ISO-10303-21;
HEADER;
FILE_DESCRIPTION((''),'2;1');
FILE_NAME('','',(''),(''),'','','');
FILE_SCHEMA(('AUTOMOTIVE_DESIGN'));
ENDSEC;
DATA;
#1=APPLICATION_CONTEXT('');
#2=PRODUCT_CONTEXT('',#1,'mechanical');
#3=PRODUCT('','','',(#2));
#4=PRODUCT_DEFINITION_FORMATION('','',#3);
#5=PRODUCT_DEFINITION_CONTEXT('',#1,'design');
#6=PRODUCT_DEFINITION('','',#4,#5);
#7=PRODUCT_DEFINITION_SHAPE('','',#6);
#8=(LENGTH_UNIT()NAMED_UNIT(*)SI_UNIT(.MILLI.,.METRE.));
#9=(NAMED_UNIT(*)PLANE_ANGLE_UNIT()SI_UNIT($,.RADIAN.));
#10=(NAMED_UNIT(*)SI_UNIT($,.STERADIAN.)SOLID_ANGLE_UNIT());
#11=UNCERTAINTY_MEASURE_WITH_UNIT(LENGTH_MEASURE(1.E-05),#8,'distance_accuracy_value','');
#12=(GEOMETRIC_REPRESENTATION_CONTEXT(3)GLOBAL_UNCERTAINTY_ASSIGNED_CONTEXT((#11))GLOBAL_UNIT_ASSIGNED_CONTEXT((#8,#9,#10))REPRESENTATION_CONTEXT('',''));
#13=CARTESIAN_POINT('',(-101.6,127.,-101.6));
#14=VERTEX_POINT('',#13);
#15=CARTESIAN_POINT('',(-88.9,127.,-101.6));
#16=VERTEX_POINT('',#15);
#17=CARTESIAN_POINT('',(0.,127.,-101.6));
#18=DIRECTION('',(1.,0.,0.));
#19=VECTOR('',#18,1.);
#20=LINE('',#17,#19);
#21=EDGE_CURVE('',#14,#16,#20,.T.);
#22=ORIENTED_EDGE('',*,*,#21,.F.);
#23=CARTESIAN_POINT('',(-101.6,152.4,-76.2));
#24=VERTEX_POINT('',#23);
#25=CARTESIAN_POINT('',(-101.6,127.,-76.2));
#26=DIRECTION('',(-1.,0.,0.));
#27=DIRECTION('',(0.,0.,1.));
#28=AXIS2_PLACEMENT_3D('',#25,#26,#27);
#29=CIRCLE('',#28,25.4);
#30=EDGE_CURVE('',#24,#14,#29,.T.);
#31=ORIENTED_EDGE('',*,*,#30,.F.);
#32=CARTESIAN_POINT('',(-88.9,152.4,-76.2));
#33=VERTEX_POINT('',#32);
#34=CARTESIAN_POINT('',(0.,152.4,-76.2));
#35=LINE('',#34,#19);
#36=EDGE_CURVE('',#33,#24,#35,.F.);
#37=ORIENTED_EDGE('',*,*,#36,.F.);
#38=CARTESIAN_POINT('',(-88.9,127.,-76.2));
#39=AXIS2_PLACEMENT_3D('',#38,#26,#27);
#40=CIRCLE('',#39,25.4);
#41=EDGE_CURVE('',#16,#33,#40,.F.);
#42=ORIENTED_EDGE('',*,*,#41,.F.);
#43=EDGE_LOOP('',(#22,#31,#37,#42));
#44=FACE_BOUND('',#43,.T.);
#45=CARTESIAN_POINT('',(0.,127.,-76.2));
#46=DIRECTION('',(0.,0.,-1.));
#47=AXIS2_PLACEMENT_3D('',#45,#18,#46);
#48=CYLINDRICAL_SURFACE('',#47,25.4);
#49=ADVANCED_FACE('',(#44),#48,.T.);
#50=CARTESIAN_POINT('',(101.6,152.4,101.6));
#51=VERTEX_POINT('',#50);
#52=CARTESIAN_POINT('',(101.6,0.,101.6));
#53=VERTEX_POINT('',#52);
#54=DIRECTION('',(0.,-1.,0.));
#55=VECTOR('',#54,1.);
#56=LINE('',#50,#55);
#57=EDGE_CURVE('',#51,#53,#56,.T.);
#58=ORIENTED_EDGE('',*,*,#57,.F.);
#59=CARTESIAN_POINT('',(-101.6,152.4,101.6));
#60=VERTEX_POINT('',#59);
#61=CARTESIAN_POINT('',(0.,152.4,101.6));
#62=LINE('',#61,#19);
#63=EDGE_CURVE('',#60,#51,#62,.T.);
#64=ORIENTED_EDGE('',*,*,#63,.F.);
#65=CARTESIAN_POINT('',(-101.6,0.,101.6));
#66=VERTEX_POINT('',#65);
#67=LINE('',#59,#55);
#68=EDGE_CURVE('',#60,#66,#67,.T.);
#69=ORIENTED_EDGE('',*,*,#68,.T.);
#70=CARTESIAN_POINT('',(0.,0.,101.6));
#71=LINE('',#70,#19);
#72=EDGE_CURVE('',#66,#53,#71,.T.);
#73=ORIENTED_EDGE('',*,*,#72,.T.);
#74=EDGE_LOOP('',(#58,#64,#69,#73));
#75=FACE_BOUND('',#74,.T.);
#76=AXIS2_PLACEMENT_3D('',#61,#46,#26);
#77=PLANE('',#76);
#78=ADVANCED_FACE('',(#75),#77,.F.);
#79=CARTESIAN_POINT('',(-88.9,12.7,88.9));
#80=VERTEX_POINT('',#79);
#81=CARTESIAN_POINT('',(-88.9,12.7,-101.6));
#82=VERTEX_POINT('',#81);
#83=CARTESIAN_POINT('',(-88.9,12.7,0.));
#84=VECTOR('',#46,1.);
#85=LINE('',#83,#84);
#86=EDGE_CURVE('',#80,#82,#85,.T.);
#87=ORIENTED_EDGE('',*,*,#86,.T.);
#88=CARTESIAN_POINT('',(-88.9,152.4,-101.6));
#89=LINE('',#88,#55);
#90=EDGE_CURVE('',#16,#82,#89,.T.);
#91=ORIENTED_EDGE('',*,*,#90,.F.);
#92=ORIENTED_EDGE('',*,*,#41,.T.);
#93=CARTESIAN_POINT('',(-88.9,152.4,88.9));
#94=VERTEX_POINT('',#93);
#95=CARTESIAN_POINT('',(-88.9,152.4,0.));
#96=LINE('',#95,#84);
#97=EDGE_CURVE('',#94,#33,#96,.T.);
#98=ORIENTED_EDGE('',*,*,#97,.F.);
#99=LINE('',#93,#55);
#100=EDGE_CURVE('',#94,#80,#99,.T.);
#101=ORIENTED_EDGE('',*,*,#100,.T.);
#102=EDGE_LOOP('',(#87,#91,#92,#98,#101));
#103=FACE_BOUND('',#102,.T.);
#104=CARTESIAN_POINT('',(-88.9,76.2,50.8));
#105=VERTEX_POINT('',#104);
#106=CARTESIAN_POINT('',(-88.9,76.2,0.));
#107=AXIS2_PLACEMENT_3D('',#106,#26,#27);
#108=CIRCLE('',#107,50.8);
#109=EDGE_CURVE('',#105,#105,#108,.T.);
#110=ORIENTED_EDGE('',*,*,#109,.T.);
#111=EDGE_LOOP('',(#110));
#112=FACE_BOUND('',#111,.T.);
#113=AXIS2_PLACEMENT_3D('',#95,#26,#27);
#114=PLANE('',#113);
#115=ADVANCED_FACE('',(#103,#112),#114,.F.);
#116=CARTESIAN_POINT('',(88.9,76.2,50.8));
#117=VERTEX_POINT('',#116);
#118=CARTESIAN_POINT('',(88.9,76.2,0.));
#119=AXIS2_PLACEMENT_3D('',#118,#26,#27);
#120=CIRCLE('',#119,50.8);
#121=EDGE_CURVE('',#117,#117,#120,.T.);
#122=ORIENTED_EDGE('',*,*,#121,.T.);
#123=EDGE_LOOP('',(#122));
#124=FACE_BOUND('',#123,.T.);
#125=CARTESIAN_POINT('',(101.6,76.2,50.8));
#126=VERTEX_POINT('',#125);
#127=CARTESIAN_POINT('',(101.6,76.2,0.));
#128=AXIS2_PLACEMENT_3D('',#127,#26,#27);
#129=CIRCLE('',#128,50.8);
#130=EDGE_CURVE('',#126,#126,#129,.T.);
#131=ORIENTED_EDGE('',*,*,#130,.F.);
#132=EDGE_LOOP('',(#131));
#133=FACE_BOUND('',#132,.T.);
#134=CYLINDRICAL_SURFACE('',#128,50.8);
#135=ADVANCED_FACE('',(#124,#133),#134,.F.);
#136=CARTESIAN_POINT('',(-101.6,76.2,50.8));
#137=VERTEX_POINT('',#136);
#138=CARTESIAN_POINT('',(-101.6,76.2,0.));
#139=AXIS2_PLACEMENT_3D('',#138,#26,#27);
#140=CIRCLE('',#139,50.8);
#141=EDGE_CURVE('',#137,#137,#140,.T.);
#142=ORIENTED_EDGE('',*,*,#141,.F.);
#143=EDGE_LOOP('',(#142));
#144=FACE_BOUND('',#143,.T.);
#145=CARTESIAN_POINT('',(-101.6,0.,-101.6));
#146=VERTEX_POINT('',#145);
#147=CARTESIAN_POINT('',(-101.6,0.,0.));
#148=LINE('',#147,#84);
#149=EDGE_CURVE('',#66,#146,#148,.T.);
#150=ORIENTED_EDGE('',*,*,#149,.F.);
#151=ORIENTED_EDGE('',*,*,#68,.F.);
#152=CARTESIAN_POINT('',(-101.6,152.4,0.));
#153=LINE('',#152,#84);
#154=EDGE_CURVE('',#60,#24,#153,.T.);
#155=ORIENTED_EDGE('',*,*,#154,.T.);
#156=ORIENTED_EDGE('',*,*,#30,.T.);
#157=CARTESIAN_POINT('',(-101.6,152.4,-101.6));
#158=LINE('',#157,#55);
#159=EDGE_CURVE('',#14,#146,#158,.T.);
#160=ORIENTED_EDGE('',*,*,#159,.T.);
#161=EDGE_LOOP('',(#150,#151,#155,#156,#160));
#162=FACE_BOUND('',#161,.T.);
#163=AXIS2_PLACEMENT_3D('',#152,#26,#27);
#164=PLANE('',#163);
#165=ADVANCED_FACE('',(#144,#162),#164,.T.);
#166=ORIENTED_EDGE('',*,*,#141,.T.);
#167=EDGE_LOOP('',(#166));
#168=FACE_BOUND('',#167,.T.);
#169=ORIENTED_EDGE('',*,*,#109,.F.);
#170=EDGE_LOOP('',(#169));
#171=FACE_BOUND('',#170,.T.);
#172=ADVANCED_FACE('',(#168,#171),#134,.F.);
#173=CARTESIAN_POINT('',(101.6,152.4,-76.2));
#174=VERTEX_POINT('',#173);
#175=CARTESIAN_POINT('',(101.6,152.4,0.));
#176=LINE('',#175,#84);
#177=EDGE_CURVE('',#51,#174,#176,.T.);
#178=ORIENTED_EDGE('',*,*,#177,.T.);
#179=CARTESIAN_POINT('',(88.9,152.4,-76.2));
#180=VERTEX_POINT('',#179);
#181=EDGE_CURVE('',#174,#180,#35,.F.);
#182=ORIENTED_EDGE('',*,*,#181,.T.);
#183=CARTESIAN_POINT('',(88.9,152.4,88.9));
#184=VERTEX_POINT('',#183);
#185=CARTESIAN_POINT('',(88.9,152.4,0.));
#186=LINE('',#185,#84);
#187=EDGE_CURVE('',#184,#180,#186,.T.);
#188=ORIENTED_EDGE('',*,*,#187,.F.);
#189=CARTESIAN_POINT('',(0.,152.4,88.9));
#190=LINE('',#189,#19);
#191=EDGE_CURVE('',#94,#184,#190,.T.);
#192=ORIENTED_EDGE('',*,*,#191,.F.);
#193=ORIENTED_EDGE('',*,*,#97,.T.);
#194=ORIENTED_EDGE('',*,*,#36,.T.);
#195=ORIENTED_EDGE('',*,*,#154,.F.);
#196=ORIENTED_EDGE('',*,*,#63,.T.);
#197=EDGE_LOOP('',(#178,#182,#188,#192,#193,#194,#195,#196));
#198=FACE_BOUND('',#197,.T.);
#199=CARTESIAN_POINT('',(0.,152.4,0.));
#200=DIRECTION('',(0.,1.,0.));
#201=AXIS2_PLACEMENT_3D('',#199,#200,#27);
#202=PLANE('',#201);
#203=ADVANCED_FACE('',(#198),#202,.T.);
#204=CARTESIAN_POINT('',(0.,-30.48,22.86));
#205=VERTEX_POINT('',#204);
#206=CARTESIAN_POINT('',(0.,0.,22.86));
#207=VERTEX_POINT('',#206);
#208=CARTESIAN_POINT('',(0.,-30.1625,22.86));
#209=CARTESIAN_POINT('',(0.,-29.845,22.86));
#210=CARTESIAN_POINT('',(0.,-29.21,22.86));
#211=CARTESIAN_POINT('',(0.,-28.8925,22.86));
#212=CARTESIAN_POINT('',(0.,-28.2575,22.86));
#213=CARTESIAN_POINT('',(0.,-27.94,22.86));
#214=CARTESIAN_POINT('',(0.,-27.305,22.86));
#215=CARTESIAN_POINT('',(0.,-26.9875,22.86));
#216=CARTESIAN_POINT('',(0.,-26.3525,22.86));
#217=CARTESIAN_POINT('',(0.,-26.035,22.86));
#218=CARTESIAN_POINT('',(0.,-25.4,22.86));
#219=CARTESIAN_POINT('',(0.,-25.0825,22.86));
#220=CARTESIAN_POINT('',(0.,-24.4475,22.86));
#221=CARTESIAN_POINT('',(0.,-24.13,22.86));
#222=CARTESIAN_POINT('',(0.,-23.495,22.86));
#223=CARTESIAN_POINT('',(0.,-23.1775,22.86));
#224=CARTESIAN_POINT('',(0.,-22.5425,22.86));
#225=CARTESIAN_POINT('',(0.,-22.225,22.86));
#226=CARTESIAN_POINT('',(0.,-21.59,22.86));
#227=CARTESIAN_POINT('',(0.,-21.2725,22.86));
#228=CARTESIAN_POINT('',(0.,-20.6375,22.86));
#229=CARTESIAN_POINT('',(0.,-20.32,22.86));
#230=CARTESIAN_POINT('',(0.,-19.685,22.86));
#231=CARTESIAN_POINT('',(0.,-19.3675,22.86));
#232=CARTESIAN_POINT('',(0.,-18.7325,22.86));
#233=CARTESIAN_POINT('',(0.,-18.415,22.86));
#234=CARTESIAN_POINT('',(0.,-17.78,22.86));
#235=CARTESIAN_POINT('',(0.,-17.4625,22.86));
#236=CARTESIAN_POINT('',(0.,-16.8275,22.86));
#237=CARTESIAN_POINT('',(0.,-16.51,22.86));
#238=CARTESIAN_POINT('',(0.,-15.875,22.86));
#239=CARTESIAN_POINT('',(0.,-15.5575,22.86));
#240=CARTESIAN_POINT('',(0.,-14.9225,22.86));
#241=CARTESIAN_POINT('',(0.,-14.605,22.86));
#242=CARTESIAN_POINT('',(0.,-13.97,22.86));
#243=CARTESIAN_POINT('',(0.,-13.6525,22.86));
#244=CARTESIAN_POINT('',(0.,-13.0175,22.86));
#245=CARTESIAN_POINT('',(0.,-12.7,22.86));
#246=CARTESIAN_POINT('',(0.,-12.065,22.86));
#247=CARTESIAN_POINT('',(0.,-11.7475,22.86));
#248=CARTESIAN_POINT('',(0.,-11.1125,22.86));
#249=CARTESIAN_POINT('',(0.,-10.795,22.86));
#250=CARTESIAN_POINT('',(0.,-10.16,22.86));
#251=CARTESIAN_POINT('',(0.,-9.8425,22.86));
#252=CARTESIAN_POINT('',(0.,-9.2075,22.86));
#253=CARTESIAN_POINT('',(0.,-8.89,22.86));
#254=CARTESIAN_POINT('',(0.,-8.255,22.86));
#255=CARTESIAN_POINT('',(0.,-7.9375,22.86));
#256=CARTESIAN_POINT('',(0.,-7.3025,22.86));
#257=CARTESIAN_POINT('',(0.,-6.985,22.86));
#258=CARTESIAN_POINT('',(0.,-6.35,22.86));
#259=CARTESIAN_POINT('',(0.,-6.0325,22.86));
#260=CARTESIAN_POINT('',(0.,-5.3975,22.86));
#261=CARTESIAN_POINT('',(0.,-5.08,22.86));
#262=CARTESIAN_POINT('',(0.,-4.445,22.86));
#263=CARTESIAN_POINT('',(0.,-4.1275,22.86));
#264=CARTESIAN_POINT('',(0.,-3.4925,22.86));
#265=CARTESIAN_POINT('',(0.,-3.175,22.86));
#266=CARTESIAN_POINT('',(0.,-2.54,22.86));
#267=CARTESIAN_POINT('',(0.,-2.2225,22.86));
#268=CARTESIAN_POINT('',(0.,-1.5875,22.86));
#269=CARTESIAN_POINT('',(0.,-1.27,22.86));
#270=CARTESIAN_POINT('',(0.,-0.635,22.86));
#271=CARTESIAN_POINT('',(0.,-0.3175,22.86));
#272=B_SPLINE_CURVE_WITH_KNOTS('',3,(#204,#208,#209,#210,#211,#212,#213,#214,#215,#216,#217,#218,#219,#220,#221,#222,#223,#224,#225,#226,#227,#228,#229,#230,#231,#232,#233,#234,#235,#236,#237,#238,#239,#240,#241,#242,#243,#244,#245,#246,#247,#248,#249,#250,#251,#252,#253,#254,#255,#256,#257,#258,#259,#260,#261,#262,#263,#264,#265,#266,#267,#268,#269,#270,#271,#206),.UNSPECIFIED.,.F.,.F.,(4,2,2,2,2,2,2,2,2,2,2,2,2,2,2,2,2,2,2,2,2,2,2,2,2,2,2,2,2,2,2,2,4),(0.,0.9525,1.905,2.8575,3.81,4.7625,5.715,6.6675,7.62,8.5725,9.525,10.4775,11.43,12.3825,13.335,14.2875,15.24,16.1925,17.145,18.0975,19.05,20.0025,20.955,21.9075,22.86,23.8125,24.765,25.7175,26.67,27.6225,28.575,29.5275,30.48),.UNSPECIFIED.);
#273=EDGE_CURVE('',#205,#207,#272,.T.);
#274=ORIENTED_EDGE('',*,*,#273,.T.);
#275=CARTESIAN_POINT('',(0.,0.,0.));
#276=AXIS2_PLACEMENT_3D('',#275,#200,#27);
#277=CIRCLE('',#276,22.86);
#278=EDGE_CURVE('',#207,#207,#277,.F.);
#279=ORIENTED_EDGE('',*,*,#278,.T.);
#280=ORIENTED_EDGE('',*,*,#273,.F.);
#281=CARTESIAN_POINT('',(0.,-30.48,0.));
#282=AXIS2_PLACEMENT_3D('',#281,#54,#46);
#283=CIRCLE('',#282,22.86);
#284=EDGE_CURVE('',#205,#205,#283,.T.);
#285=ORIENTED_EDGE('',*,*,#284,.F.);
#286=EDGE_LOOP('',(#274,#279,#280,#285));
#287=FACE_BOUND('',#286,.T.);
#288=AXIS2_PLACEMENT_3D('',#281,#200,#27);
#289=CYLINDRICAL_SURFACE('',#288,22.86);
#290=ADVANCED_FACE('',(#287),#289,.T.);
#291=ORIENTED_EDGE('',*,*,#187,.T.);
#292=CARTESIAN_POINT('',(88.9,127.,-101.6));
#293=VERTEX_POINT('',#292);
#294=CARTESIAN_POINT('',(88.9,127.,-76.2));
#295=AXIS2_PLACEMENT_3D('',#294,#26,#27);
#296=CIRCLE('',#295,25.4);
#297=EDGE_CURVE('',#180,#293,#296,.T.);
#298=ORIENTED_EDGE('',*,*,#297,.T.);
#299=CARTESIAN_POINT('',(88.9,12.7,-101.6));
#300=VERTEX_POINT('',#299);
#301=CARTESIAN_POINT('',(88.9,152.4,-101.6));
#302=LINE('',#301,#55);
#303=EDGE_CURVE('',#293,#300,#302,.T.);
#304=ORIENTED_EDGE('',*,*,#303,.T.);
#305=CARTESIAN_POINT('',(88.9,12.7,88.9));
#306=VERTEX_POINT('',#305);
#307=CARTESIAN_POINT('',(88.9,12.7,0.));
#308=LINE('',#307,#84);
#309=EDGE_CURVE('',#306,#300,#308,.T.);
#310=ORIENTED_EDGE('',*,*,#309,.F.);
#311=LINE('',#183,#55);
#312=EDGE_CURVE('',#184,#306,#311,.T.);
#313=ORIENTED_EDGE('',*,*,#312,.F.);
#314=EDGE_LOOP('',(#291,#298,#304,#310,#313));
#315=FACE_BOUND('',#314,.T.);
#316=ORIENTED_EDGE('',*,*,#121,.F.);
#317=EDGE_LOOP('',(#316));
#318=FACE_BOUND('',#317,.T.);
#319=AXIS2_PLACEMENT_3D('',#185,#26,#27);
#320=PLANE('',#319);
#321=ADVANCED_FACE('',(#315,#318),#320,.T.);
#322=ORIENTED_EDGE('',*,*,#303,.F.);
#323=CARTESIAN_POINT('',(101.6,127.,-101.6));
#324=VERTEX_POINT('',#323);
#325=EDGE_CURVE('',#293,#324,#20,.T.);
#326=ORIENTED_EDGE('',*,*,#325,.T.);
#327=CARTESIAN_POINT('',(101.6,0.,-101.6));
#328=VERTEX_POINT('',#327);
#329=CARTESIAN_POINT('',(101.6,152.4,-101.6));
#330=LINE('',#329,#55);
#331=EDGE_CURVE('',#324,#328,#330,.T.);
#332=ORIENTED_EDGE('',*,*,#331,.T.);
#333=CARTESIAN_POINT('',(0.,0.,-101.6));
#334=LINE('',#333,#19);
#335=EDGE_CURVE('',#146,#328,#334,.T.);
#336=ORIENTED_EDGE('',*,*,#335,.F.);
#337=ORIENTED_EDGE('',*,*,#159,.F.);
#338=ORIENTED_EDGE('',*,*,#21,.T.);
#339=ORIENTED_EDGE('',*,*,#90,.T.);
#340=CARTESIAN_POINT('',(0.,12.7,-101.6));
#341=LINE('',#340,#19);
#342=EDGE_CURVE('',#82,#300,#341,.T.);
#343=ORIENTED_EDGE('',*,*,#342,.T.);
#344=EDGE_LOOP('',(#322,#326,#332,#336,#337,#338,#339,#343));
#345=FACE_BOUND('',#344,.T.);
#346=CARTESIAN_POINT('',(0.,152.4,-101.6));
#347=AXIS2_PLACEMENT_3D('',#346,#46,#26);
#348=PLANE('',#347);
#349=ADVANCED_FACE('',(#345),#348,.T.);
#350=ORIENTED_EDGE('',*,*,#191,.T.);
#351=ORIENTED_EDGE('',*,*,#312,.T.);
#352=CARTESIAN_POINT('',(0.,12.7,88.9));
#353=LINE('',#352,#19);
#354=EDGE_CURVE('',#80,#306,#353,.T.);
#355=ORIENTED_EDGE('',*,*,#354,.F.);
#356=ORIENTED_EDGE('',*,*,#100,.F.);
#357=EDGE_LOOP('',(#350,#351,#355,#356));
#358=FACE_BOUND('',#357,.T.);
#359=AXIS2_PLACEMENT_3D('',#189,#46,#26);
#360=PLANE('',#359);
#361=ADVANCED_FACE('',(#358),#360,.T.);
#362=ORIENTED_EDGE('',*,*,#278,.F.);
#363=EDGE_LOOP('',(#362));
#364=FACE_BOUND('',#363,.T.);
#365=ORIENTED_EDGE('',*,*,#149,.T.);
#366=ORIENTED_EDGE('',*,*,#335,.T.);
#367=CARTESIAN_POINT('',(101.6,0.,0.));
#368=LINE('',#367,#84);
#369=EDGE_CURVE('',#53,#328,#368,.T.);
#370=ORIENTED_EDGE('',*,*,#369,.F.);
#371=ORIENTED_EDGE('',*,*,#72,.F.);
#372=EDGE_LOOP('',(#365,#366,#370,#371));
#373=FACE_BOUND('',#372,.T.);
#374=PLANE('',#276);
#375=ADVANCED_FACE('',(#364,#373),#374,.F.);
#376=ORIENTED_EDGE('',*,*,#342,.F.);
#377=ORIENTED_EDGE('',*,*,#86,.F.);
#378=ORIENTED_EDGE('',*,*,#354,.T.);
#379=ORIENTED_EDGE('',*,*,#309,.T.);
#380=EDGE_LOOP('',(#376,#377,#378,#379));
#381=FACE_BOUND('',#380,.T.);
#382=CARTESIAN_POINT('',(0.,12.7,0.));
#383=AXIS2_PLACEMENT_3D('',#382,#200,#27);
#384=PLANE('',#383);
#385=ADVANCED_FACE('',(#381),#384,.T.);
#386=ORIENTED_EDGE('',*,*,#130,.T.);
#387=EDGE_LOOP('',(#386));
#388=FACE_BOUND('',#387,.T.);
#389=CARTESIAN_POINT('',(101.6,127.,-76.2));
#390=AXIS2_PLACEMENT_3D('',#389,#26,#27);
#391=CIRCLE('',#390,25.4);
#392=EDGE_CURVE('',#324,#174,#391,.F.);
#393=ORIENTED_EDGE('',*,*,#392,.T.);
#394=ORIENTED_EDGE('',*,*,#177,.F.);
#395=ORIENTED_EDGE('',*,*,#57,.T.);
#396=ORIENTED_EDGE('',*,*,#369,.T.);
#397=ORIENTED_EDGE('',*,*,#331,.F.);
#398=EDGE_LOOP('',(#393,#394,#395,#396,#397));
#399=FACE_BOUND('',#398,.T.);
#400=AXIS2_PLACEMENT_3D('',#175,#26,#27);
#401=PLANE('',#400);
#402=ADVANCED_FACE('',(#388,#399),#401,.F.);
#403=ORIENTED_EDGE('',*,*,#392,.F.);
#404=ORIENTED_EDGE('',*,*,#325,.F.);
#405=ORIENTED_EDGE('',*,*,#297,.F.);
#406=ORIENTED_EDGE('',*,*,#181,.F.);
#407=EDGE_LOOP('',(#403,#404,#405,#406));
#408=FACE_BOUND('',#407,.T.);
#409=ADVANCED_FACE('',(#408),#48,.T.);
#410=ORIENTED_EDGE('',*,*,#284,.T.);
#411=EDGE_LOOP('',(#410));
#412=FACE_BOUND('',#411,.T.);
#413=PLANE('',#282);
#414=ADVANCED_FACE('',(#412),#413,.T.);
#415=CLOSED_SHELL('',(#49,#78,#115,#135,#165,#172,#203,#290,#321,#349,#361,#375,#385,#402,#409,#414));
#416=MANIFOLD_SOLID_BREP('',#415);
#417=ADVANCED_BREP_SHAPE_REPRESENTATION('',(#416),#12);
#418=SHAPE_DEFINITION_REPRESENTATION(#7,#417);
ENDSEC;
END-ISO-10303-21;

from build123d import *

# Parameters (mm, degrees)
SKETCH1_R           = 101.6
BOSS_EXTRUDE1_DEPTH = 152.4
SHELL1_T            = -12.7
SKETCH2_R           = 22.86
BOSS_EXTRUDE2_DEPTH = 30.48
SKETCH3_R           = 50.8
CUT_EXTRUDE1_DEPTH  = 274.566372202
FILLET1_R           = 25.4
FILLET2_R           = 25.4


with BuildPart() as part:
    # Sketch1 → Boss-Extrude1 (new body)
    with BuildSketch(Plane(origin=(0, 0, 0), x_dir=(1, 0, 0), z_dir=(0, 1, 0))):
        with BuildLine():
            ThreePointArc((101.6, 0), (71.842048938, -71.842048999), (-8.6e-08, -101.6))
            Line((-8.6e-08, -101.6), (101.6, -101.6))
            Line((101.6, -101.6), (101.6, 0))
        make_face()
        with BuildLine():
            ThreePointArc((-7e-08, 101.6), (71.842048944, 71.842048993), (101.6, 0))
            Line((101.6, 0), (101.6, 101.6))
            Line((101.6, 101.6), (-7e-08, 101.6))
        make_face()
        with BuildLine():
            Line((-101.6, 101.6), (-101.6, 8e-08))
            ThreePointArc((-101.6, 8e-08), (-71.842048965, 71.842048972), (-7e-08, 101.6))
            Line((-7e-08, 101.6), (-101.6, 101.6))
        make_face()
        with BuildLine():
            Line((-101.6, 8e-08), (-101.6, -101.6))
            Line((-101.6, -101.6), (-8.6e-08, -101.6))
            ThreePointArc((-8.6e-08, -101.6), (-71.842049028, -71.84204891), (-101.6, 8e-08))
        make_face()
        Circle(SKETCH1_R)
    extrude(amount=BOSS_EXTRUDE1_DEPTH)

    # Shell1
    shell1_openings = [part.faces().sort_by_distance(p)[0] for p in [
        (0, 152.4, 0),
        (0, 76.2, -101.6),
    ]]
    offset(amount=SHELL1_T, openings=shell1_openings, kind=Kind.INTERSECTION)

    # Sketch2 → Boss-Extrude2 (add)
    with BuildSketch(Plane.XZ):
        with Locations(Location((0, 0, 0), (0, 0, 90))):
            Circle(SKETCH2_R)
    extrude(amount=BOSS_EXTRUDE2_DEPTH)

    # Sketch3 → Cut-Extrude1 (cut, through all)
    with BuildSketch(Plane.ZY.offset(101.6)):
        with Locations((0, 76.2)):
            Circle(SKETCH3_R)
    extrude(amount=-CUT_EXTRUDE1_DEPTH, mode=Mode.SUBTRACT)

    # Fillet1
    fillet1_edges = [part.edges().sort_by_distance(p)[0] for p in [
        (-95.25, 152.4, -101.6),
    ]]
    fillet(fillet1_edges, radius=FILLET1_R)

    # Fillet2
    fillet2_edges = [part.edges().sort_by_distance(p)[0] for p in [
        (95.25, 152.4, -101.6),
    ]]
    fillet(fillet2_edges, radius=FILLET2_R)


solid = part.part
